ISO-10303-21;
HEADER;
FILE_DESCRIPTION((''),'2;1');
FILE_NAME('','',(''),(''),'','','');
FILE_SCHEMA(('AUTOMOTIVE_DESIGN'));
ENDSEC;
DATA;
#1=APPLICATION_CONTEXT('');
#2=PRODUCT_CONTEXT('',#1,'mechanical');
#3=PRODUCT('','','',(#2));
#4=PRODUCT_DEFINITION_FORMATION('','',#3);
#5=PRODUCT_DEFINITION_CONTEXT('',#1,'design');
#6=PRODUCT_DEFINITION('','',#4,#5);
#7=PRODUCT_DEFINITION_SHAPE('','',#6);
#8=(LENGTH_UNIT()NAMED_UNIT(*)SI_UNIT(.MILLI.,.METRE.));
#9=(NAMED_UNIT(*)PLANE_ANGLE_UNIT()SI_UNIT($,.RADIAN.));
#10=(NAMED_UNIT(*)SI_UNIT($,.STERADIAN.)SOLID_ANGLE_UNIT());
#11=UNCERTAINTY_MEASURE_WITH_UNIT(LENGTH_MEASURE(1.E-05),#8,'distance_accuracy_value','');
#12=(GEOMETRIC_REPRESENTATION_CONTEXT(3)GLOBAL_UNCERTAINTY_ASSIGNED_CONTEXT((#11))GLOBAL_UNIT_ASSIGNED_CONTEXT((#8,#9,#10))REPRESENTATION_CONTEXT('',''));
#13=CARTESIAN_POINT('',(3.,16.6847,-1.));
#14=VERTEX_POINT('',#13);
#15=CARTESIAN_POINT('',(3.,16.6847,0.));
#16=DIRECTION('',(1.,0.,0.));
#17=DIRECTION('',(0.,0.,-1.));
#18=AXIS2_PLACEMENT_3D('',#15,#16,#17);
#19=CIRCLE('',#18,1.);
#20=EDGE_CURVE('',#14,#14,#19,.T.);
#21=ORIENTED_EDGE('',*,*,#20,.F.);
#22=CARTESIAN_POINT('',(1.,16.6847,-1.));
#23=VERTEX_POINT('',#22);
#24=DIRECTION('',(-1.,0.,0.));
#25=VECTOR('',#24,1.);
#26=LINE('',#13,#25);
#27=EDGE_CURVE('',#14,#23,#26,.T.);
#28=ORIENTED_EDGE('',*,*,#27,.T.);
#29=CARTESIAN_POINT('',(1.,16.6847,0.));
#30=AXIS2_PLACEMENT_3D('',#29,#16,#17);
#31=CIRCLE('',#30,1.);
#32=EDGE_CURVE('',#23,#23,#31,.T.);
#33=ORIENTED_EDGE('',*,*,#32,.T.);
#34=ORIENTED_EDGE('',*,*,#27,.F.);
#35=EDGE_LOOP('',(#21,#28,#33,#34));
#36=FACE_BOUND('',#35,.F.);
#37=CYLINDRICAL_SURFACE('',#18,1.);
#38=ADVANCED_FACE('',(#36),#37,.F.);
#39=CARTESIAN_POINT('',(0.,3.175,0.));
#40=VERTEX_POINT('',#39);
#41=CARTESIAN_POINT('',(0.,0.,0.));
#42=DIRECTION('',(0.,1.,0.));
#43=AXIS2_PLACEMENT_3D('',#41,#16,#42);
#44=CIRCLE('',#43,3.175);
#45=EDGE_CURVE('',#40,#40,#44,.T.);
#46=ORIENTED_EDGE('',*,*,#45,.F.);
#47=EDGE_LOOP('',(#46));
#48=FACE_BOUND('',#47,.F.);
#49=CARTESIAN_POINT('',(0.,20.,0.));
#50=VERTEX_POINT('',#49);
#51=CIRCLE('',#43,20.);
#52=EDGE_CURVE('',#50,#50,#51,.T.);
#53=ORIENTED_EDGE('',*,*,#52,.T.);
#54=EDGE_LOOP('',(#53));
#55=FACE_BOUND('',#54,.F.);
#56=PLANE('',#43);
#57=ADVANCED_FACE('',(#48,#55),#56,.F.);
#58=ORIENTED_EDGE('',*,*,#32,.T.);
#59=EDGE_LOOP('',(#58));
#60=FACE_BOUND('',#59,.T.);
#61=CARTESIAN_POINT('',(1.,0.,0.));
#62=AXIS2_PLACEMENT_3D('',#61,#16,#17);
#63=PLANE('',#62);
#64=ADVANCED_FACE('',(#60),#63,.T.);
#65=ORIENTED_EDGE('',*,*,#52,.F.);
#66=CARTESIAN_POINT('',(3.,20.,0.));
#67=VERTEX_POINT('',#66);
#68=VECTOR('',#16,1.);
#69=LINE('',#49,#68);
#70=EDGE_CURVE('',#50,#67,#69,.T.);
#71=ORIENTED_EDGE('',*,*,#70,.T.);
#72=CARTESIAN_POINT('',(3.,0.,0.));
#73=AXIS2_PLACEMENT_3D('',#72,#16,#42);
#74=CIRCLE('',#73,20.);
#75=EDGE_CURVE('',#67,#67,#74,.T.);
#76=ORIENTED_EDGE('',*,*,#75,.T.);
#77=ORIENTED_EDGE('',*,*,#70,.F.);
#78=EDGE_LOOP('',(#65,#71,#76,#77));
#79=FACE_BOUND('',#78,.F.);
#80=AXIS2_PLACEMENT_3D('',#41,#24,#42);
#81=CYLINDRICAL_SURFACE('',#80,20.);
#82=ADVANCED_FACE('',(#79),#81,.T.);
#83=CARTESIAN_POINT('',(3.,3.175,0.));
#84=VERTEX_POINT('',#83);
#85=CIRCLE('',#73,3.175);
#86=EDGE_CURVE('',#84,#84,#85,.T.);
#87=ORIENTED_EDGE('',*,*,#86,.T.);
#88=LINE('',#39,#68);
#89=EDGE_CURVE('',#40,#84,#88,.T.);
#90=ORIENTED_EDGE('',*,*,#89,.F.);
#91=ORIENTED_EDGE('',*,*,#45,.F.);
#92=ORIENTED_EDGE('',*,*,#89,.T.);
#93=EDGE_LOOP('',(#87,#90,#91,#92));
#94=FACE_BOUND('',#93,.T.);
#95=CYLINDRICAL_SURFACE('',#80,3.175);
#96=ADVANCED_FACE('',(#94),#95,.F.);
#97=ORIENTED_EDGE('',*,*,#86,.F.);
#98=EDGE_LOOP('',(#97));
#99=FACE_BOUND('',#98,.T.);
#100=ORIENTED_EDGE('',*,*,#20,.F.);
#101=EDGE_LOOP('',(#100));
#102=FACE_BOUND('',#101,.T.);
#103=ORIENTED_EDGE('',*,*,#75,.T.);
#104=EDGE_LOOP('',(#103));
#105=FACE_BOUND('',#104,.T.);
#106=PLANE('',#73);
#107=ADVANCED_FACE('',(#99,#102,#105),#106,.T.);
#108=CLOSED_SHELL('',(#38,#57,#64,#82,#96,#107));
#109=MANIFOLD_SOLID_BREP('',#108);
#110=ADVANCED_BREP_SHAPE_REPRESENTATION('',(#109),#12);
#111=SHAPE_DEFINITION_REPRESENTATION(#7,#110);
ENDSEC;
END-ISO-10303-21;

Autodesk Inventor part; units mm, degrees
ref_plane "YZ Plane" through (0, 0, 0) normal (1, 0, 0) x (0, 1, 0)
ref_plane "XZ Plane" through (0, 0, 0) normal (0, 1, 0) x (-1, 0, 0)
ref_plane "XY Plane" through (0, 0, 0) normal (0, 0, 1) x (1, 0, 0)
sketch "Sketch1" plane through (0, 0, 0) normal (1, 0, 0) x (0, 1, 0)
  circle A0 centre (0, 0) radius 20
  circle A1 centre (0, 0) radius 3.175
  dimension "d0" = 40
  dimension "d1" = 6.35
extrude "Extrusion1" add sketch "Sketch1" along normal blind 3
sketch "Sketch2" plane through (3, 0, 0) normal (1, 0, 0) x (0, 0, -1)
  point P0 (0, 0)
sketch "Sketch3" plane through (3, 0, 0) normal (1, 0, 0) x (0, 0, -1)
  circle A0 centre (0, 16.6847) radius 1
  point P0 (0, 0)
  dimension "d4" = 2
extrude "Extrusion2" cut sketch "Sketch3" against normal blind 2
properties part number "wheel_adjustment"
